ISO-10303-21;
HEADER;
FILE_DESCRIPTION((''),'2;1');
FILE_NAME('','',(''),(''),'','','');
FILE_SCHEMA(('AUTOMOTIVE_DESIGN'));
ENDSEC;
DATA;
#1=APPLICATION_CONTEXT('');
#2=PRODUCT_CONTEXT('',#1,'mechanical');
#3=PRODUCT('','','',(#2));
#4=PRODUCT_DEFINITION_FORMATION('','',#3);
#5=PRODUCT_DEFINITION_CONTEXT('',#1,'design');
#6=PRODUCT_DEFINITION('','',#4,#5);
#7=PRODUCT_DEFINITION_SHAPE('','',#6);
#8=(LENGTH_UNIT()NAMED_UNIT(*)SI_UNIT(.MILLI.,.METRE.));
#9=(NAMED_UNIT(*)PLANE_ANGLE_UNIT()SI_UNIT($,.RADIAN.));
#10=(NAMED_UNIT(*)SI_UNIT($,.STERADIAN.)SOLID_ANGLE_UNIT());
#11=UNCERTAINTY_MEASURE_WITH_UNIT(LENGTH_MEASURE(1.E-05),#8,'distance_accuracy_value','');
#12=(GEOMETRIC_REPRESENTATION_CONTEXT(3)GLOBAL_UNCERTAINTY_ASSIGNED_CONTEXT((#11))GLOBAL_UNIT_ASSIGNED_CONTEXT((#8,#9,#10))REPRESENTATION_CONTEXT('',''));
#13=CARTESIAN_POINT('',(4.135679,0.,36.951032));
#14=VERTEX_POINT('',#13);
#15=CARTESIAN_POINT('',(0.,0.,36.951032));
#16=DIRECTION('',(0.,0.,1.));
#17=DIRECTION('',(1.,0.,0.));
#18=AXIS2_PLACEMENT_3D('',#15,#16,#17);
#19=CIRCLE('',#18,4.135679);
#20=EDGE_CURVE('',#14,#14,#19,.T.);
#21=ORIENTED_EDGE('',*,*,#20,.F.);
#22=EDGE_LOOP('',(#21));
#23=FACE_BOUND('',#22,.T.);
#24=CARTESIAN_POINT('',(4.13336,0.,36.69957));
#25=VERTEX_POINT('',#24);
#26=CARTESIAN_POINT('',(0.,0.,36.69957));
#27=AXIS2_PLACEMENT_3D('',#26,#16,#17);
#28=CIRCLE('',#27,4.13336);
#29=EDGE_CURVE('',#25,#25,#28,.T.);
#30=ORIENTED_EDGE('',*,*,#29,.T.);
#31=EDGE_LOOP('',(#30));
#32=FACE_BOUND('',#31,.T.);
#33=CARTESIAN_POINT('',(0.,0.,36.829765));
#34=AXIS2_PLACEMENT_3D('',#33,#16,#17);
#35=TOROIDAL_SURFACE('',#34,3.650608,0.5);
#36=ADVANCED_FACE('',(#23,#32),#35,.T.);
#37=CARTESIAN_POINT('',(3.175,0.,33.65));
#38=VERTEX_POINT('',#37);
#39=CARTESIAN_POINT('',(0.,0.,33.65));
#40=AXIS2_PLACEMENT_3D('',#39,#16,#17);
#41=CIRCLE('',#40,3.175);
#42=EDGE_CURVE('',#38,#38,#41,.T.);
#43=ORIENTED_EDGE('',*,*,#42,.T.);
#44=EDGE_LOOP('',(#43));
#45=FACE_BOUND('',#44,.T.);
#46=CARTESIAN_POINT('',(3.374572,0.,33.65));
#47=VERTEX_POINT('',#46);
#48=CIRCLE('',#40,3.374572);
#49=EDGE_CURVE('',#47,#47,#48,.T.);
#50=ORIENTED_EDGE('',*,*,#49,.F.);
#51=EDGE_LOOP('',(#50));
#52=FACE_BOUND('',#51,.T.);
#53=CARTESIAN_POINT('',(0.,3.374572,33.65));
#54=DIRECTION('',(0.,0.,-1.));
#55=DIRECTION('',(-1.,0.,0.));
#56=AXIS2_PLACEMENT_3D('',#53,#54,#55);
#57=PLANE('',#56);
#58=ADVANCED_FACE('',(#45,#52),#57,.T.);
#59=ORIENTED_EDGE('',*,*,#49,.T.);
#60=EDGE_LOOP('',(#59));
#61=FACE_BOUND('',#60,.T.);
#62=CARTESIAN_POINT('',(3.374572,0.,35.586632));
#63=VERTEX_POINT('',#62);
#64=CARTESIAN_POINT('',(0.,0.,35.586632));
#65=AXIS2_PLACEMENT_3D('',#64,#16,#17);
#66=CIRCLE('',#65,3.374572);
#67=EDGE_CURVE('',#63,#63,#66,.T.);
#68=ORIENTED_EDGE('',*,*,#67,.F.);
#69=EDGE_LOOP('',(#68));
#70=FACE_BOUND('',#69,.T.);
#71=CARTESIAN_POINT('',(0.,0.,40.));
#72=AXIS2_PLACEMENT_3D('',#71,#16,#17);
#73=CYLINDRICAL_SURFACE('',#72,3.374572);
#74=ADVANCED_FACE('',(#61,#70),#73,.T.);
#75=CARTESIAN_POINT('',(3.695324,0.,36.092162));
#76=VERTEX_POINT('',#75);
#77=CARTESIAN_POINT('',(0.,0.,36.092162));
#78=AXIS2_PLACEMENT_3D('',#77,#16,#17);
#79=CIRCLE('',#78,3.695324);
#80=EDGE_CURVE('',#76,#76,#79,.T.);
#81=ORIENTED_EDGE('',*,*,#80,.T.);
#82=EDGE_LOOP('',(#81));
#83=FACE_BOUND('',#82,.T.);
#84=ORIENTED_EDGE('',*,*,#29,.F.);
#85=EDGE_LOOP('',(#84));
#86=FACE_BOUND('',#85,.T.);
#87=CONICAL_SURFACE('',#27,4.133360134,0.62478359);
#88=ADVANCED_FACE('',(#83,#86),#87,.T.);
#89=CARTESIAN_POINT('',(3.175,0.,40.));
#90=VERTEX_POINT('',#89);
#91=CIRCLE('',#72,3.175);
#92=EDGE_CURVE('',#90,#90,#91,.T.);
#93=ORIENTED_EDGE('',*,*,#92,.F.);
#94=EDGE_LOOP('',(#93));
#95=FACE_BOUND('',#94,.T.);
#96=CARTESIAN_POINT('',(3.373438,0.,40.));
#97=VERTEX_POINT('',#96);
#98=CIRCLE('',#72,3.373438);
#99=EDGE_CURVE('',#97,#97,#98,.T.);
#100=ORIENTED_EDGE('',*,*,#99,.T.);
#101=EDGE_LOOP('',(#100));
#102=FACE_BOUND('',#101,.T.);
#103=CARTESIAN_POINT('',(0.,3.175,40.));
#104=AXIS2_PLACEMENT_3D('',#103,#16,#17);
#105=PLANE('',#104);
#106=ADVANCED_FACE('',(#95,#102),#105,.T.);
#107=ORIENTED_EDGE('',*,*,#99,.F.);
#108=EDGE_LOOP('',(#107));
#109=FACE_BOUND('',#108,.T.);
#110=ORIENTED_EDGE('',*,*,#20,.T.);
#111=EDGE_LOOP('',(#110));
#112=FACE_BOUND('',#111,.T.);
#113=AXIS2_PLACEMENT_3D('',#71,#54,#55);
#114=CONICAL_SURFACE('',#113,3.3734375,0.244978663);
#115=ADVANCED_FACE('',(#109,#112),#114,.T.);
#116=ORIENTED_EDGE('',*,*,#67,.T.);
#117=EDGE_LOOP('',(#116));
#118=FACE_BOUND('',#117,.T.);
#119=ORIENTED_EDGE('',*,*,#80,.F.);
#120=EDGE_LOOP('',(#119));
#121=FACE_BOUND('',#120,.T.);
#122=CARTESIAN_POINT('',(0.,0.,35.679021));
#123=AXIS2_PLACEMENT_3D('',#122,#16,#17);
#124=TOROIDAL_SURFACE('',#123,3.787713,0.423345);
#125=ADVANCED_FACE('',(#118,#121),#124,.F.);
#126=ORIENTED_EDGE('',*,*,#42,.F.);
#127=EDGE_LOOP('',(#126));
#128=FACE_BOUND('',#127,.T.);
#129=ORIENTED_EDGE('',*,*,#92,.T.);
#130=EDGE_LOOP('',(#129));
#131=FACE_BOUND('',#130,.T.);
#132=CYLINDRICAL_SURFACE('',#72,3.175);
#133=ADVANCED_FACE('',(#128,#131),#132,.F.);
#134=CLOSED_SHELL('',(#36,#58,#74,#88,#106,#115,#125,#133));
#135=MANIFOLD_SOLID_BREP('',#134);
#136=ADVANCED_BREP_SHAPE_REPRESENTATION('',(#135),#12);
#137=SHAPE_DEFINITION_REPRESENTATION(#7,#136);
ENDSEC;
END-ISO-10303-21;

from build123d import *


with BuildPart() as part:
    # Esboço1 → Revolução4 (revolve)
    with BuildSketch(Plane(origin=(0, 0, 0), x_dir=(0, 0, -1), z_dir=(1, 0, 0)), mode=Mode.PRIVATE) as revolu_o4_sk:
        with BuildLine():
            Line((-36.699570276, 4.133360134), (-36.092161543, 3.695324027))
            ThreePointArc((-36.092161543, 3.695324027), (-35.905826449, 3.430249421), (-35.58663159, 3.374572178))
            Line((-35.58663159, 3.374572178), (-33.65, 3.374572178))
            Line((-33.65, 3.374572178), (-33.65, 3.175))
            Line((-33.65, 3.175), (-40, 3.175))
            Line((-40, 3.175), (-40, 3.3734375))
            Line((-40, 3.3734375), (-36.951032326, 4.135679419))
            ThreePointArc((-36.951032326, 4.135679419), (-36.825153111, 4.150586903), (-36.699570276, 4.133360134))
        make_face()
    revolve(revolu_o4_sk.sketch.rotate(Axis((0, 0, 40), (0, 0, -1)), 90), axis=Axis((0, 0, 40), (0, 0, -1)))


solid = part.part
